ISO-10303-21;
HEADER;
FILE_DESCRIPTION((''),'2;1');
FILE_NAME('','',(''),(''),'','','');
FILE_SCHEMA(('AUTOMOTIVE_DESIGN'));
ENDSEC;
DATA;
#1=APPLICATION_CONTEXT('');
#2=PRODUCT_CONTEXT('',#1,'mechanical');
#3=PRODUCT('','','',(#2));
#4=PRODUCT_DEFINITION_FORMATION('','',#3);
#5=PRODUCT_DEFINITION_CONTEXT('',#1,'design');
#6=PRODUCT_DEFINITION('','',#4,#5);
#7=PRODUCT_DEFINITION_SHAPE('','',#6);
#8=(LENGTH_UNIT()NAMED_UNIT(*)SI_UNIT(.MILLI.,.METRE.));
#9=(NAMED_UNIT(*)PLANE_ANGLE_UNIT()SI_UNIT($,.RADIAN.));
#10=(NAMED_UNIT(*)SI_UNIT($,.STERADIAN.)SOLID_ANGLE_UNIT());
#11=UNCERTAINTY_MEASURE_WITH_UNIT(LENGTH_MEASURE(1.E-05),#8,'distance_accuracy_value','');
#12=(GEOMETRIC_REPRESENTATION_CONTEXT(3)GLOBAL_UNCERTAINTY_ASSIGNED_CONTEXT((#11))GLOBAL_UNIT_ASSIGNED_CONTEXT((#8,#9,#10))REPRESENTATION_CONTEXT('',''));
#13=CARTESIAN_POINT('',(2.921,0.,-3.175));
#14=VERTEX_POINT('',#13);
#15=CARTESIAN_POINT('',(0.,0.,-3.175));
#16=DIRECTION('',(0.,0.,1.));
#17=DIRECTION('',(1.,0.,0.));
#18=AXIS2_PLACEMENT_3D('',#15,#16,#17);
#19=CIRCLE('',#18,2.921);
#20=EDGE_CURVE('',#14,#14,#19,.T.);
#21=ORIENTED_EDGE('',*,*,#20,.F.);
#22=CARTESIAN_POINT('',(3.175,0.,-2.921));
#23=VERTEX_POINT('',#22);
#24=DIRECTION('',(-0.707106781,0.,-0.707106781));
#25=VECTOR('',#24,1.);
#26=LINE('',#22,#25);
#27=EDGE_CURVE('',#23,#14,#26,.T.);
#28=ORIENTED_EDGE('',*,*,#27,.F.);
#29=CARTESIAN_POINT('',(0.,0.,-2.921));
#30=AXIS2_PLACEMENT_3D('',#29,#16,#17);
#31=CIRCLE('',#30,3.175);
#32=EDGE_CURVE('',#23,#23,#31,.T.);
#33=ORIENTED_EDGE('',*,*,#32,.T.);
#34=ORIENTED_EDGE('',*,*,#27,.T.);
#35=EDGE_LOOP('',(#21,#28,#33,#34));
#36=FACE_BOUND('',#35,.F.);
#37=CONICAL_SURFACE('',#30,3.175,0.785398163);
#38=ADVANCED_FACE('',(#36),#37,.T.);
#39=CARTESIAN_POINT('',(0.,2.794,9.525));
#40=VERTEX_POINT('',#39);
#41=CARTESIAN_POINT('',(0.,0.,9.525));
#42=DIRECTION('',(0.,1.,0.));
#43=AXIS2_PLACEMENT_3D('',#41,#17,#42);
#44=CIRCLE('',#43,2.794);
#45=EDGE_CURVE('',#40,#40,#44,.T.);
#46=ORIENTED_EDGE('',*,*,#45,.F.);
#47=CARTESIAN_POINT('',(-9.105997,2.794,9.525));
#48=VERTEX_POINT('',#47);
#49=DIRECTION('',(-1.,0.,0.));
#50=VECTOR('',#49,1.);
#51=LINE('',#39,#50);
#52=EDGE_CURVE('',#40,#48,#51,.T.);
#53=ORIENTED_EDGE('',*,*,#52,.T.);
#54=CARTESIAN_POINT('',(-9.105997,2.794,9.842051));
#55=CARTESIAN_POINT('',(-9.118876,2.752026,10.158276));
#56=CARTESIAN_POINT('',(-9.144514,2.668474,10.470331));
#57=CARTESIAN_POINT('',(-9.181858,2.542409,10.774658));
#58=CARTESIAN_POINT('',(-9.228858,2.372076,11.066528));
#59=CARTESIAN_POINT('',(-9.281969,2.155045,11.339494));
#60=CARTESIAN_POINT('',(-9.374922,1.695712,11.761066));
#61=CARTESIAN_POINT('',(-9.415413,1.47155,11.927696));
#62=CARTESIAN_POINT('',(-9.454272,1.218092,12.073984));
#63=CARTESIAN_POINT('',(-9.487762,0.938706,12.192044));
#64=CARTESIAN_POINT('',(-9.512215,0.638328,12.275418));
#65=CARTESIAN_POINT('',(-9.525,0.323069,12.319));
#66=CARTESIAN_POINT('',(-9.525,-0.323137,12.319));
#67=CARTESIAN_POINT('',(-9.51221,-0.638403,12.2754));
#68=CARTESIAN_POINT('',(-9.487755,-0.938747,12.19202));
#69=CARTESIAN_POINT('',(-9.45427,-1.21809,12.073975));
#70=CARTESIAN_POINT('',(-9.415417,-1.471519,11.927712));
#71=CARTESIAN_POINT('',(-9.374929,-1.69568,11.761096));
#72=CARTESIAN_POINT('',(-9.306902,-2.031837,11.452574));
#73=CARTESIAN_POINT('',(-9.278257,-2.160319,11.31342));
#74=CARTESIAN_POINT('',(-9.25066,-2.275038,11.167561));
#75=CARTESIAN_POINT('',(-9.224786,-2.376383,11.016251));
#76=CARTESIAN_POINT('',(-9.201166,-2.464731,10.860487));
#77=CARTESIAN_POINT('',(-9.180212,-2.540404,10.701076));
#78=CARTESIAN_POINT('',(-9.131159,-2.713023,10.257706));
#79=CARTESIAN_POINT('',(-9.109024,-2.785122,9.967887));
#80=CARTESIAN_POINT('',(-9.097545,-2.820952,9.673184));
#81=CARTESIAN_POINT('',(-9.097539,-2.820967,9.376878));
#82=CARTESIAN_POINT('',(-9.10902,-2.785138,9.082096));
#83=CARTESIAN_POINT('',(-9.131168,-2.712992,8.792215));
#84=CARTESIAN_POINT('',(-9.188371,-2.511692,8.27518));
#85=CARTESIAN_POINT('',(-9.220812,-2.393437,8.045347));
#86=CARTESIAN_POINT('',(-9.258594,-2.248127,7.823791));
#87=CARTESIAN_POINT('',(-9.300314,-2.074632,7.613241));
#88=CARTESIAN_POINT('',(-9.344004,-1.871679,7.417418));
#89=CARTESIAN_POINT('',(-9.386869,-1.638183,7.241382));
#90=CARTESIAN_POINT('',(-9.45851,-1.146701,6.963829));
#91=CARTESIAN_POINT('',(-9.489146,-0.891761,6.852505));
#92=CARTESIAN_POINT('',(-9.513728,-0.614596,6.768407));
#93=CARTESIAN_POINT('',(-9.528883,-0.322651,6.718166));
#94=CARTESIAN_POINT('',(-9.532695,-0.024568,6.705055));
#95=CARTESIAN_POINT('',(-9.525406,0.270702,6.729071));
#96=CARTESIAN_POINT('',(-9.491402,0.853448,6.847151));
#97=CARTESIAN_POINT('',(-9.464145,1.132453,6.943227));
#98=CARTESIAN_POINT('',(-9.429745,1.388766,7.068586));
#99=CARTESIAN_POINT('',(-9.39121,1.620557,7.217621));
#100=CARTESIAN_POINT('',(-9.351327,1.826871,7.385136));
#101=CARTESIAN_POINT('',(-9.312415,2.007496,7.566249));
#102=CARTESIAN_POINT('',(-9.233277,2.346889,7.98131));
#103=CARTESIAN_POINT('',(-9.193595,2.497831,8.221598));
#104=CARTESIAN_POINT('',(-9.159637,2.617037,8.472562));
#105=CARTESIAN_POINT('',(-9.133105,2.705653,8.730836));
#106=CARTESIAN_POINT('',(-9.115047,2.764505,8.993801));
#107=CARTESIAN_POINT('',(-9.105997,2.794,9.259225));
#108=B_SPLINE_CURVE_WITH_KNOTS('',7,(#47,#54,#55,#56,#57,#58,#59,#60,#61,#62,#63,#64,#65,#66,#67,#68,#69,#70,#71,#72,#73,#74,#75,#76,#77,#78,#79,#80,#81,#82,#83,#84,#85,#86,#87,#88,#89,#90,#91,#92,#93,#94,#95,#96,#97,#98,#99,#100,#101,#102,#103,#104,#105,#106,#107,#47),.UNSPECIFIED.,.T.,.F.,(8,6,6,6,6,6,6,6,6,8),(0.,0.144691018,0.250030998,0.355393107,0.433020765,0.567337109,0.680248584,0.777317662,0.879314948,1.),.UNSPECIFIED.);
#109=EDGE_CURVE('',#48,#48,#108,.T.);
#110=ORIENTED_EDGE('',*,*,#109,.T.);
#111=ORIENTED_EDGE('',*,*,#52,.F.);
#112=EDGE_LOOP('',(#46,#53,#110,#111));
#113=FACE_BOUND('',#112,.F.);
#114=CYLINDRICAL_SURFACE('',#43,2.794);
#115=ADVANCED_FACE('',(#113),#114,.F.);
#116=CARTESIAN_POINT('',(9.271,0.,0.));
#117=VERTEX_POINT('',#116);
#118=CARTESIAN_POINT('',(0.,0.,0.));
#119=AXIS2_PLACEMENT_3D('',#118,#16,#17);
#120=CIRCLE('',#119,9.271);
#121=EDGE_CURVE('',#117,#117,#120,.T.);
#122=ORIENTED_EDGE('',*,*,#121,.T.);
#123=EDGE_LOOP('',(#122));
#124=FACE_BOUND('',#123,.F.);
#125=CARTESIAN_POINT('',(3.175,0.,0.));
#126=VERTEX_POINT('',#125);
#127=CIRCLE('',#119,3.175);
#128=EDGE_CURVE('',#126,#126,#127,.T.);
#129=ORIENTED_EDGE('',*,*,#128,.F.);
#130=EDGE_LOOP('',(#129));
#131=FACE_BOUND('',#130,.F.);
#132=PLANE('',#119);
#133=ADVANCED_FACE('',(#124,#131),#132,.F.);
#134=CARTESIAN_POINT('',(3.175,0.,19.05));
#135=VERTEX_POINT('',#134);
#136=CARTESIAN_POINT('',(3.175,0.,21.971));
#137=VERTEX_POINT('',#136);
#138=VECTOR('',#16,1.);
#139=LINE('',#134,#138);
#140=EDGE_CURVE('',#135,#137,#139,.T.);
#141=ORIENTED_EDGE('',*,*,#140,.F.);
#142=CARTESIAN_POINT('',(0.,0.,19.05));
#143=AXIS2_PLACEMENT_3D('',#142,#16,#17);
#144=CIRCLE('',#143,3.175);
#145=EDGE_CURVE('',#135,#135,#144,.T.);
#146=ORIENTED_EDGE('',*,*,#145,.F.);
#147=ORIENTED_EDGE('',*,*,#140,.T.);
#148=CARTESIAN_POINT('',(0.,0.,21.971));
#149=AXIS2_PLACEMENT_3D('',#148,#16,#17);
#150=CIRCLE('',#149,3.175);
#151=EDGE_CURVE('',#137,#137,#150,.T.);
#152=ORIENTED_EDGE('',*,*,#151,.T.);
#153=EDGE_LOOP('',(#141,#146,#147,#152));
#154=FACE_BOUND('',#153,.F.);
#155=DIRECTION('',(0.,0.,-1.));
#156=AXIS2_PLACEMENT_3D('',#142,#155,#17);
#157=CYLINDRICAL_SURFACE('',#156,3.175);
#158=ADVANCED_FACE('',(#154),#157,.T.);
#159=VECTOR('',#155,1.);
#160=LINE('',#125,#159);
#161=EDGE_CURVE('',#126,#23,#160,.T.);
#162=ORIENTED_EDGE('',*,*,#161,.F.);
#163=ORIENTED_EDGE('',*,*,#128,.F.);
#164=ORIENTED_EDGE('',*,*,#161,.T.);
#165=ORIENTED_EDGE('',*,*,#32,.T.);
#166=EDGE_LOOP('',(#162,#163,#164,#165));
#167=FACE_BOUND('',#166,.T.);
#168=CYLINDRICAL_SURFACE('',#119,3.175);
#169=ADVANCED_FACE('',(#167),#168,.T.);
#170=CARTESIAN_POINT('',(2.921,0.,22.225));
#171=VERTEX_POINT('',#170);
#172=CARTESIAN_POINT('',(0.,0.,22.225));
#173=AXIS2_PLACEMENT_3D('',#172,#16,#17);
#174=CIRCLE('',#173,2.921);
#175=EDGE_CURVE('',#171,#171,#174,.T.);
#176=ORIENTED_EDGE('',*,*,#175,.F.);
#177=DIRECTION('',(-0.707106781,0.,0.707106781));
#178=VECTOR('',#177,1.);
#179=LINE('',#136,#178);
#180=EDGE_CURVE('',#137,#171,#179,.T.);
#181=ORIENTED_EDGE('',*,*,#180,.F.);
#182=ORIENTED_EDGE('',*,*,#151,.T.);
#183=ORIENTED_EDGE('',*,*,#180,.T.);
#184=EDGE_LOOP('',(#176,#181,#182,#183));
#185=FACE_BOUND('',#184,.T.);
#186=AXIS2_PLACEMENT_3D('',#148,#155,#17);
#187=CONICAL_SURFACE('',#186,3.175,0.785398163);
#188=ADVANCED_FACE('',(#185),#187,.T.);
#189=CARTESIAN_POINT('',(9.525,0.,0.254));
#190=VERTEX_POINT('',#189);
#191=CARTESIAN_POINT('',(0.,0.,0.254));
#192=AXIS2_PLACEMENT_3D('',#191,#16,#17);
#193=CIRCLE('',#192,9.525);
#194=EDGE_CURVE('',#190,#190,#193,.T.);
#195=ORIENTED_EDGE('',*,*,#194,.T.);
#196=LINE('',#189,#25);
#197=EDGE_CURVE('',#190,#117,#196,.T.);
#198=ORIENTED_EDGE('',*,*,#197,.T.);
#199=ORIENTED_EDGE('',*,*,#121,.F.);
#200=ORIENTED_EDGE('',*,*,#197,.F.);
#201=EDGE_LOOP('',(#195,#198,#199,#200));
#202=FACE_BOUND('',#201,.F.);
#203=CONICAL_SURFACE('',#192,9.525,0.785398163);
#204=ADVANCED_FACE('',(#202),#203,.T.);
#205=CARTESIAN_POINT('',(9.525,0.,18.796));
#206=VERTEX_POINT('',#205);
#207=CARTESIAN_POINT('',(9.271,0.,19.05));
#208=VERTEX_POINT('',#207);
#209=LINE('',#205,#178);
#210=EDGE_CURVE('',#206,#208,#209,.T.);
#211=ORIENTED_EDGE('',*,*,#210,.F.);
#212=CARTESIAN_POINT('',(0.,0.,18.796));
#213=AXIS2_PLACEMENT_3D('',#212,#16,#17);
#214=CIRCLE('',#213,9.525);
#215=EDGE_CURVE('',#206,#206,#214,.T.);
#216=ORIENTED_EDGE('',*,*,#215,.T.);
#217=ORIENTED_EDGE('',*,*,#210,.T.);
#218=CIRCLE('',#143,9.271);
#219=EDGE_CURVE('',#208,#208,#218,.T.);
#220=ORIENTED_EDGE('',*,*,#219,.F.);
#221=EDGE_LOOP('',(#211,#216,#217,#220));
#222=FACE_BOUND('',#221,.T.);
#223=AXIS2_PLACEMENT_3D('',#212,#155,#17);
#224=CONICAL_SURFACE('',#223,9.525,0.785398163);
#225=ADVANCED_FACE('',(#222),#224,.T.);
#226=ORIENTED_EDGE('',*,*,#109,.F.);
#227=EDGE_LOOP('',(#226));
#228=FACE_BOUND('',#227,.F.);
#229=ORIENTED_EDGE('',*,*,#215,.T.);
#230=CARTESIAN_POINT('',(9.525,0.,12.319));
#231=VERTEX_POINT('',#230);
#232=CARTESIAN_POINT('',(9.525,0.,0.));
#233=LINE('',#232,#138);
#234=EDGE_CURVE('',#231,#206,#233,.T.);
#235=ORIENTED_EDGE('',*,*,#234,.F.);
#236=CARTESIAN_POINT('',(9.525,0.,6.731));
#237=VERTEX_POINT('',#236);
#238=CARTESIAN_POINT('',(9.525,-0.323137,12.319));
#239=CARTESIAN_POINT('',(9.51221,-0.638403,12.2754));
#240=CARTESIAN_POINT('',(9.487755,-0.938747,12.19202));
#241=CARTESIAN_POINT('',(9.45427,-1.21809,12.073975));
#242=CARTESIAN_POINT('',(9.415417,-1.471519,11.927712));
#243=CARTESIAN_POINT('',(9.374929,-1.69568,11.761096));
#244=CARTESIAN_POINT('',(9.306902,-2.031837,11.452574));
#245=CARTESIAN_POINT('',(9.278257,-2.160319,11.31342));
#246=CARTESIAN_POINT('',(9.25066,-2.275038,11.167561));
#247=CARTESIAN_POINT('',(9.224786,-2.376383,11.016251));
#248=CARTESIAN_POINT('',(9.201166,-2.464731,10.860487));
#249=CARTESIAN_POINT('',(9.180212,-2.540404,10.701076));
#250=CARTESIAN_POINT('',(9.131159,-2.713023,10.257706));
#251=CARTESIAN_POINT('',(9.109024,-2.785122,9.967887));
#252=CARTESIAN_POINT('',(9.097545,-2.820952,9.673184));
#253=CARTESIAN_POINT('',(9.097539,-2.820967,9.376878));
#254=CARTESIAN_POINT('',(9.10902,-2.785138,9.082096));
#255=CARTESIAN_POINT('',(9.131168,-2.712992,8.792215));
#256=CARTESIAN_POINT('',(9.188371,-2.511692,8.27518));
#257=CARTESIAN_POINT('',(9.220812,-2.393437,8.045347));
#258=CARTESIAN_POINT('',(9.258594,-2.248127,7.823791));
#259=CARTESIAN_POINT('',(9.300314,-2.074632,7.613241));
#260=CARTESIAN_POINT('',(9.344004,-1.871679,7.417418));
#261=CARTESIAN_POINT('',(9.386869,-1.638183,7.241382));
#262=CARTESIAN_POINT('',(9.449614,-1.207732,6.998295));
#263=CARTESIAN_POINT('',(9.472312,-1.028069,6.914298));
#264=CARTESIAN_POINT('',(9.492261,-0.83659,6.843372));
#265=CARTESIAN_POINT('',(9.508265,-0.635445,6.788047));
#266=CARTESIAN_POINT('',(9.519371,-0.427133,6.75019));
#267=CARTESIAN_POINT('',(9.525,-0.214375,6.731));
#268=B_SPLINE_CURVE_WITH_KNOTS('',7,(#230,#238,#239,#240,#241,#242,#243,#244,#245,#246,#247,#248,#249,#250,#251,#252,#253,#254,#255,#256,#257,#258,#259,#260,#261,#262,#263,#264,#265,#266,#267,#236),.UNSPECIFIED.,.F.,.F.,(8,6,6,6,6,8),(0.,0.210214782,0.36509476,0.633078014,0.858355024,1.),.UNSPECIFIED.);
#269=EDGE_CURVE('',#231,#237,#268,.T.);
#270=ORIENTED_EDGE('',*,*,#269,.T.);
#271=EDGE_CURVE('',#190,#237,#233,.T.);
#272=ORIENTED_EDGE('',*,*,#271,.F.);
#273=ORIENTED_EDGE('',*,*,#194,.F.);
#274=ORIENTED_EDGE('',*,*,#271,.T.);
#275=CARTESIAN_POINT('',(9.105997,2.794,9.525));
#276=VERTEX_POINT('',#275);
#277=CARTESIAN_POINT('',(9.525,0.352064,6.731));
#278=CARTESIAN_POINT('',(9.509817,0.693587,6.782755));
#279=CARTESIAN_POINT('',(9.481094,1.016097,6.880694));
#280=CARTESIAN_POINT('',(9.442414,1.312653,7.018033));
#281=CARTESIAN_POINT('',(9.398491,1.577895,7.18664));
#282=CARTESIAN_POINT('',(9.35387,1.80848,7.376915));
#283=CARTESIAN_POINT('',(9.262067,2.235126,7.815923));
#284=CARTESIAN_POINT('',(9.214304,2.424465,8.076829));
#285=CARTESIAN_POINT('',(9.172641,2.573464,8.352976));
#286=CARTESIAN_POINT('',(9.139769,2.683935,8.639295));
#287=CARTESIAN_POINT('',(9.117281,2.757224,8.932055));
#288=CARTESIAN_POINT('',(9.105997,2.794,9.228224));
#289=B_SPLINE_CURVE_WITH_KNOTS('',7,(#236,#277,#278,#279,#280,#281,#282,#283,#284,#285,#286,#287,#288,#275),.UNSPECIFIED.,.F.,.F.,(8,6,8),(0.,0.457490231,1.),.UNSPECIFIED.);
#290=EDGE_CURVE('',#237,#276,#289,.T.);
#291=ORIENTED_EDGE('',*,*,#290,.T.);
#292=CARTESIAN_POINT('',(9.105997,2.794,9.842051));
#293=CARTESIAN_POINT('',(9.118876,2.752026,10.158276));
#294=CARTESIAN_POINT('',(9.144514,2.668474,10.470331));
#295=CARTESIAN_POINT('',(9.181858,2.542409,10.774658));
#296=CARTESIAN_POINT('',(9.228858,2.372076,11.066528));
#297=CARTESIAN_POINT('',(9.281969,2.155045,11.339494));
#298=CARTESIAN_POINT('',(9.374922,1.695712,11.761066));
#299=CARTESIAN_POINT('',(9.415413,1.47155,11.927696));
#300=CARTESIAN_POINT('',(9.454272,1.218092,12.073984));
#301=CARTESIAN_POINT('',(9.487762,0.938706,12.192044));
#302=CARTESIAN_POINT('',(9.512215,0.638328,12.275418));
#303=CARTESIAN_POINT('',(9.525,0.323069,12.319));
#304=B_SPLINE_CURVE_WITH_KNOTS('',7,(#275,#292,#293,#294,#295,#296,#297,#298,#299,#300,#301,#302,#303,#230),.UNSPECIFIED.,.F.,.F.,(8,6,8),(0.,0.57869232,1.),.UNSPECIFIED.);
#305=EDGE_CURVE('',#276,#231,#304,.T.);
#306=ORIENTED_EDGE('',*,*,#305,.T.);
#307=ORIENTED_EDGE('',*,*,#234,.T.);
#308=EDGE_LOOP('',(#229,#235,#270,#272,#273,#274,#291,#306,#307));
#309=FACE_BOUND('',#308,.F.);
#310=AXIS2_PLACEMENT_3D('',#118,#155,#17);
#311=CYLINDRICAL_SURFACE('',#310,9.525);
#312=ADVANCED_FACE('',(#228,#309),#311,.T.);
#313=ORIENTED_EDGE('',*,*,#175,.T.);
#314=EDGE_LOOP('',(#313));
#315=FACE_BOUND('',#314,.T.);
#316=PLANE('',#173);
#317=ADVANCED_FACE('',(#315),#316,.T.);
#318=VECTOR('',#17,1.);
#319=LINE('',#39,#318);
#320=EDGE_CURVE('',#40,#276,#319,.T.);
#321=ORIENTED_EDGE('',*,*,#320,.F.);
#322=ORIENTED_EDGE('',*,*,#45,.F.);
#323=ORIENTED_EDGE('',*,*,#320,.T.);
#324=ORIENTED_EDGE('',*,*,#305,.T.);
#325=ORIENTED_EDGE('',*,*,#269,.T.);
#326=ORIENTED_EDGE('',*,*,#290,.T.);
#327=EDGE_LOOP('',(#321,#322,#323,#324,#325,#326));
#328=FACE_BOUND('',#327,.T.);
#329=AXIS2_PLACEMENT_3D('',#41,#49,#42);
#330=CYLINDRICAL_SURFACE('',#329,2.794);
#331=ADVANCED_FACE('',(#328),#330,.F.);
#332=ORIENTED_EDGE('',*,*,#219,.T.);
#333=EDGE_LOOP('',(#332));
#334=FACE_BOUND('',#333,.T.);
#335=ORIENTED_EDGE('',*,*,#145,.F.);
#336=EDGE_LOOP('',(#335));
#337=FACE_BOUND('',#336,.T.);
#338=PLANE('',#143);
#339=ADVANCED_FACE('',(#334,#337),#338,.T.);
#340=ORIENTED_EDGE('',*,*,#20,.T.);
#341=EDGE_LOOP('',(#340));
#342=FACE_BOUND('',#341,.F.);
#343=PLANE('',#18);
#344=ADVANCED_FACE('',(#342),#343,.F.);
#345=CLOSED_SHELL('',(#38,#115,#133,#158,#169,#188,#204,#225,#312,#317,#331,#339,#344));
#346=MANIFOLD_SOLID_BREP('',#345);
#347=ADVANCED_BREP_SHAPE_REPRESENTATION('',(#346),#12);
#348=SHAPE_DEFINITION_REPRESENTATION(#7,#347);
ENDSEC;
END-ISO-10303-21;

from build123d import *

# Parameters (mm, degrees)
F0_R     = 9.525
F1_DEPTH = 19.05
F2_R     = 3.175
F3_DEPTH = 3.175
F4_R     = 3.175
F5_DEPTH = 3.175
F6_SIZE  = 0.254
F7_R     = 2.794
F8_DEPTH = 25.4
F9_DEPTH = 25.4


with BuildPart() as f1:
    # F0 (on Top) → F1 (new body)
    with BuildSketch(Plane.XY):
        Circle(F0_R)
    extrude(amount=F1_DEPTH)

    # F2 (on Top) → F3 (join)
    with BuildSketch(Plane.XY):
        Circle(F2_R)
    extrude(amount=-F3_DEPTH)

    # F4 (on face) → F5 (join)
    with BuildSketch(Plane.XY.offset(19.05)):
        Circle(F4_R)
    extrude(amount=F5_DEPTH)

    # F6
    f6_edges = [f1.edges().sort_by_distance(p)[0] for p in [
        (-3.175, 0, 22.225),
        (-9.525, 0, 19.05),
        (-3.175, 0, -3.175),
        (-9.525, 0, 0),
    ]]
    chamfer(f6_edges, length=F6_SIZE)

    # F7 (on Right) → F8 (cut)
    with BuildSketch(Plane.YZ):
        with Locations((0, 9.525)):
            Circle(F7_R)
    extrude(amount=-F8_DEPTH, mode=Mode.SUBTRACT)

    # F7 (on Right) → F9 (cut)
    with BuildSketch(Plane.YZ):
        with Locations((0, 9.525)):
            Circle(F7_R)
    extrude(amount=F9_DEPTH, mode=Mode.SUBTRACT)


solid = f1.part
